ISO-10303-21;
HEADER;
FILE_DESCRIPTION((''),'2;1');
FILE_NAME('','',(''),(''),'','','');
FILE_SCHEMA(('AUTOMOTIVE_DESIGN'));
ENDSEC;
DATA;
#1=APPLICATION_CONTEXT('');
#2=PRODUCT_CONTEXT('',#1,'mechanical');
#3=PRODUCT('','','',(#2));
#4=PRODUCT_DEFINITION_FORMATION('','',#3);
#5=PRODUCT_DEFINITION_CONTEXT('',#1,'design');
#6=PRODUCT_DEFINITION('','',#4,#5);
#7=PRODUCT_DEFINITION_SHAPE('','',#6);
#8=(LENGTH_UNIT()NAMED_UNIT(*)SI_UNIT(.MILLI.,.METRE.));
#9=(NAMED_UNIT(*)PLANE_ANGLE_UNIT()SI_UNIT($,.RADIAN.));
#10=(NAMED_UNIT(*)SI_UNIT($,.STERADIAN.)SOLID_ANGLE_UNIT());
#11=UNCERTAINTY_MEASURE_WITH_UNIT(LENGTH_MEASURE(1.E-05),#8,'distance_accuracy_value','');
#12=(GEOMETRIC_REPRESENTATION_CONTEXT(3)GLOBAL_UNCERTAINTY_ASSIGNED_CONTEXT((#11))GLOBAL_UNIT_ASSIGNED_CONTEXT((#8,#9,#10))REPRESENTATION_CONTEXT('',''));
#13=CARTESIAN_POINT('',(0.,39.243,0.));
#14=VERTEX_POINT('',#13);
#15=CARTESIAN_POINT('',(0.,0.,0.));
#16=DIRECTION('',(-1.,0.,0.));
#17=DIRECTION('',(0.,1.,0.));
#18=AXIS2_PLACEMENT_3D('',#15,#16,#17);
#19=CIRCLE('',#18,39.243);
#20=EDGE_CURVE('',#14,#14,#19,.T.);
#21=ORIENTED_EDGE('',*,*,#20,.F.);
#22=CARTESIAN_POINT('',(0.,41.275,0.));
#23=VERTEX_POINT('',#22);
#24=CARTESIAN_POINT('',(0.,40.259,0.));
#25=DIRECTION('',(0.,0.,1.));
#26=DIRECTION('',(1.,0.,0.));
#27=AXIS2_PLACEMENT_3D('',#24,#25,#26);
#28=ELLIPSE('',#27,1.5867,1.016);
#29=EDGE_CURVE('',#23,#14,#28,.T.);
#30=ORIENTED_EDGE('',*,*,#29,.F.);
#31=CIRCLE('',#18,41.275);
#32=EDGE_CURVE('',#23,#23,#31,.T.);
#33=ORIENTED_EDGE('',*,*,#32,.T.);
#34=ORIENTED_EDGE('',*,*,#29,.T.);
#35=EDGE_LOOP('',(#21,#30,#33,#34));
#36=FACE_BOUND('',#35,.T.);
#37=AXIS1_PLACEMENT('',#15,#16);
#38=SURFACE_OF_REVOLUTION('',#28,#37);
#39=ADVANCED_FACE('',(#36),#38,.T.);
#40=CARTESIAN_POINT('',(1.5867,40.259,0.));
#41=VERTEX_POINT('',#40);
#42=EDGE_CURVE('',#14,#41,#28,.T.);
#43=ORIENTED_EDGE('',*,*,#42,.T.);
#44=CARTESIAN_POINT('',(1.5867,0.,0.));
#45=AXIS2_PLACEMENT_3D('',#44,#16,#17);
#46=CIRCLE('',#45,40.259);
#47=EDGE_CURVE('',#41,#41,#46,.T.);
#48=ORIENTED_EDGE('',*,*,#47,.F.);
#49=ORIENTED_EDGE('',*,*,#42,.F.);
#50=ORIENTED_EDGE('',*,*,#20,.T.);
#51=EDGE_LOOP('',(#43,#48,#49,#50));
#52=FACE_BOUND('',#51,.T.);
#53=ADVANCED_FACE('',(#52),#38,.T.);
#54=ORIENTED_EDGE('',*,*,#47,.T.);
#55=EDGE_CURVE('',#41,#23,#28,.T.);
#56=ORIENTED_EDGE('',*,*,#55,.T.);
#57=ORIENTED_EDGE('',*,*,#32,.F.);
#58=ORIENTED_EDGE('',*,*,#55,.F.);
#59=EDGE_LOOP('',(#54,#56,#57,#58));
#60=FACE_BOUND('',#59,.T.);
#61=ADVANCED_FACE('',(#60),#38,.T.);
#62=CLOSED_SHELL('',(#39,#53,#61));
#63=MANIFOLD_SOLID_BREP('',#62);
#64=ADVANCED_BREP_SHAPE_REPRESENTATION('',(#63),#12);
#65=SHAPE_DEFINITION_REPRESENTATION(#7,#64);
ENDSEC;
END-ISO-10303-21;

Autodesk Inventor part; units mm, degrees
ref_plane "YZ Plane" through (0, 0, 0) normal (1, 0, 0) x (0, 1, 0)
ref_plane "XZ Plane" through (0, 0, 0) normal (0, 1, 0) x (-1, 0, 0)
ref_plane "XY Plane" through (0, 0, 0) normal (0, 0, 1) x (1, 0, 0)
sketch "Sketch1" plane through (0, 0, 0) normal (0, 0, 1) x (1, 0, 0)
  line L0 (0, 41.275) -> (0, 39.243)
  ellipse E0 centre (0, 40.259) end of major axis (1.5867, 40.259) minor radius 1.016
  line L1 (0, 0) -> (-3.3795, 0)
  dimension "d2" = 39.243
  dimension "d3" = 41.275
revolve "Revolution1" add sketch "Sketch1" angle 360 about axis through (0, 0, 0) along (-1, 0, 0)
properties part number "ORingA50_2.987ID_3.193OD_Compressed" material "Rubber, Silicone"
